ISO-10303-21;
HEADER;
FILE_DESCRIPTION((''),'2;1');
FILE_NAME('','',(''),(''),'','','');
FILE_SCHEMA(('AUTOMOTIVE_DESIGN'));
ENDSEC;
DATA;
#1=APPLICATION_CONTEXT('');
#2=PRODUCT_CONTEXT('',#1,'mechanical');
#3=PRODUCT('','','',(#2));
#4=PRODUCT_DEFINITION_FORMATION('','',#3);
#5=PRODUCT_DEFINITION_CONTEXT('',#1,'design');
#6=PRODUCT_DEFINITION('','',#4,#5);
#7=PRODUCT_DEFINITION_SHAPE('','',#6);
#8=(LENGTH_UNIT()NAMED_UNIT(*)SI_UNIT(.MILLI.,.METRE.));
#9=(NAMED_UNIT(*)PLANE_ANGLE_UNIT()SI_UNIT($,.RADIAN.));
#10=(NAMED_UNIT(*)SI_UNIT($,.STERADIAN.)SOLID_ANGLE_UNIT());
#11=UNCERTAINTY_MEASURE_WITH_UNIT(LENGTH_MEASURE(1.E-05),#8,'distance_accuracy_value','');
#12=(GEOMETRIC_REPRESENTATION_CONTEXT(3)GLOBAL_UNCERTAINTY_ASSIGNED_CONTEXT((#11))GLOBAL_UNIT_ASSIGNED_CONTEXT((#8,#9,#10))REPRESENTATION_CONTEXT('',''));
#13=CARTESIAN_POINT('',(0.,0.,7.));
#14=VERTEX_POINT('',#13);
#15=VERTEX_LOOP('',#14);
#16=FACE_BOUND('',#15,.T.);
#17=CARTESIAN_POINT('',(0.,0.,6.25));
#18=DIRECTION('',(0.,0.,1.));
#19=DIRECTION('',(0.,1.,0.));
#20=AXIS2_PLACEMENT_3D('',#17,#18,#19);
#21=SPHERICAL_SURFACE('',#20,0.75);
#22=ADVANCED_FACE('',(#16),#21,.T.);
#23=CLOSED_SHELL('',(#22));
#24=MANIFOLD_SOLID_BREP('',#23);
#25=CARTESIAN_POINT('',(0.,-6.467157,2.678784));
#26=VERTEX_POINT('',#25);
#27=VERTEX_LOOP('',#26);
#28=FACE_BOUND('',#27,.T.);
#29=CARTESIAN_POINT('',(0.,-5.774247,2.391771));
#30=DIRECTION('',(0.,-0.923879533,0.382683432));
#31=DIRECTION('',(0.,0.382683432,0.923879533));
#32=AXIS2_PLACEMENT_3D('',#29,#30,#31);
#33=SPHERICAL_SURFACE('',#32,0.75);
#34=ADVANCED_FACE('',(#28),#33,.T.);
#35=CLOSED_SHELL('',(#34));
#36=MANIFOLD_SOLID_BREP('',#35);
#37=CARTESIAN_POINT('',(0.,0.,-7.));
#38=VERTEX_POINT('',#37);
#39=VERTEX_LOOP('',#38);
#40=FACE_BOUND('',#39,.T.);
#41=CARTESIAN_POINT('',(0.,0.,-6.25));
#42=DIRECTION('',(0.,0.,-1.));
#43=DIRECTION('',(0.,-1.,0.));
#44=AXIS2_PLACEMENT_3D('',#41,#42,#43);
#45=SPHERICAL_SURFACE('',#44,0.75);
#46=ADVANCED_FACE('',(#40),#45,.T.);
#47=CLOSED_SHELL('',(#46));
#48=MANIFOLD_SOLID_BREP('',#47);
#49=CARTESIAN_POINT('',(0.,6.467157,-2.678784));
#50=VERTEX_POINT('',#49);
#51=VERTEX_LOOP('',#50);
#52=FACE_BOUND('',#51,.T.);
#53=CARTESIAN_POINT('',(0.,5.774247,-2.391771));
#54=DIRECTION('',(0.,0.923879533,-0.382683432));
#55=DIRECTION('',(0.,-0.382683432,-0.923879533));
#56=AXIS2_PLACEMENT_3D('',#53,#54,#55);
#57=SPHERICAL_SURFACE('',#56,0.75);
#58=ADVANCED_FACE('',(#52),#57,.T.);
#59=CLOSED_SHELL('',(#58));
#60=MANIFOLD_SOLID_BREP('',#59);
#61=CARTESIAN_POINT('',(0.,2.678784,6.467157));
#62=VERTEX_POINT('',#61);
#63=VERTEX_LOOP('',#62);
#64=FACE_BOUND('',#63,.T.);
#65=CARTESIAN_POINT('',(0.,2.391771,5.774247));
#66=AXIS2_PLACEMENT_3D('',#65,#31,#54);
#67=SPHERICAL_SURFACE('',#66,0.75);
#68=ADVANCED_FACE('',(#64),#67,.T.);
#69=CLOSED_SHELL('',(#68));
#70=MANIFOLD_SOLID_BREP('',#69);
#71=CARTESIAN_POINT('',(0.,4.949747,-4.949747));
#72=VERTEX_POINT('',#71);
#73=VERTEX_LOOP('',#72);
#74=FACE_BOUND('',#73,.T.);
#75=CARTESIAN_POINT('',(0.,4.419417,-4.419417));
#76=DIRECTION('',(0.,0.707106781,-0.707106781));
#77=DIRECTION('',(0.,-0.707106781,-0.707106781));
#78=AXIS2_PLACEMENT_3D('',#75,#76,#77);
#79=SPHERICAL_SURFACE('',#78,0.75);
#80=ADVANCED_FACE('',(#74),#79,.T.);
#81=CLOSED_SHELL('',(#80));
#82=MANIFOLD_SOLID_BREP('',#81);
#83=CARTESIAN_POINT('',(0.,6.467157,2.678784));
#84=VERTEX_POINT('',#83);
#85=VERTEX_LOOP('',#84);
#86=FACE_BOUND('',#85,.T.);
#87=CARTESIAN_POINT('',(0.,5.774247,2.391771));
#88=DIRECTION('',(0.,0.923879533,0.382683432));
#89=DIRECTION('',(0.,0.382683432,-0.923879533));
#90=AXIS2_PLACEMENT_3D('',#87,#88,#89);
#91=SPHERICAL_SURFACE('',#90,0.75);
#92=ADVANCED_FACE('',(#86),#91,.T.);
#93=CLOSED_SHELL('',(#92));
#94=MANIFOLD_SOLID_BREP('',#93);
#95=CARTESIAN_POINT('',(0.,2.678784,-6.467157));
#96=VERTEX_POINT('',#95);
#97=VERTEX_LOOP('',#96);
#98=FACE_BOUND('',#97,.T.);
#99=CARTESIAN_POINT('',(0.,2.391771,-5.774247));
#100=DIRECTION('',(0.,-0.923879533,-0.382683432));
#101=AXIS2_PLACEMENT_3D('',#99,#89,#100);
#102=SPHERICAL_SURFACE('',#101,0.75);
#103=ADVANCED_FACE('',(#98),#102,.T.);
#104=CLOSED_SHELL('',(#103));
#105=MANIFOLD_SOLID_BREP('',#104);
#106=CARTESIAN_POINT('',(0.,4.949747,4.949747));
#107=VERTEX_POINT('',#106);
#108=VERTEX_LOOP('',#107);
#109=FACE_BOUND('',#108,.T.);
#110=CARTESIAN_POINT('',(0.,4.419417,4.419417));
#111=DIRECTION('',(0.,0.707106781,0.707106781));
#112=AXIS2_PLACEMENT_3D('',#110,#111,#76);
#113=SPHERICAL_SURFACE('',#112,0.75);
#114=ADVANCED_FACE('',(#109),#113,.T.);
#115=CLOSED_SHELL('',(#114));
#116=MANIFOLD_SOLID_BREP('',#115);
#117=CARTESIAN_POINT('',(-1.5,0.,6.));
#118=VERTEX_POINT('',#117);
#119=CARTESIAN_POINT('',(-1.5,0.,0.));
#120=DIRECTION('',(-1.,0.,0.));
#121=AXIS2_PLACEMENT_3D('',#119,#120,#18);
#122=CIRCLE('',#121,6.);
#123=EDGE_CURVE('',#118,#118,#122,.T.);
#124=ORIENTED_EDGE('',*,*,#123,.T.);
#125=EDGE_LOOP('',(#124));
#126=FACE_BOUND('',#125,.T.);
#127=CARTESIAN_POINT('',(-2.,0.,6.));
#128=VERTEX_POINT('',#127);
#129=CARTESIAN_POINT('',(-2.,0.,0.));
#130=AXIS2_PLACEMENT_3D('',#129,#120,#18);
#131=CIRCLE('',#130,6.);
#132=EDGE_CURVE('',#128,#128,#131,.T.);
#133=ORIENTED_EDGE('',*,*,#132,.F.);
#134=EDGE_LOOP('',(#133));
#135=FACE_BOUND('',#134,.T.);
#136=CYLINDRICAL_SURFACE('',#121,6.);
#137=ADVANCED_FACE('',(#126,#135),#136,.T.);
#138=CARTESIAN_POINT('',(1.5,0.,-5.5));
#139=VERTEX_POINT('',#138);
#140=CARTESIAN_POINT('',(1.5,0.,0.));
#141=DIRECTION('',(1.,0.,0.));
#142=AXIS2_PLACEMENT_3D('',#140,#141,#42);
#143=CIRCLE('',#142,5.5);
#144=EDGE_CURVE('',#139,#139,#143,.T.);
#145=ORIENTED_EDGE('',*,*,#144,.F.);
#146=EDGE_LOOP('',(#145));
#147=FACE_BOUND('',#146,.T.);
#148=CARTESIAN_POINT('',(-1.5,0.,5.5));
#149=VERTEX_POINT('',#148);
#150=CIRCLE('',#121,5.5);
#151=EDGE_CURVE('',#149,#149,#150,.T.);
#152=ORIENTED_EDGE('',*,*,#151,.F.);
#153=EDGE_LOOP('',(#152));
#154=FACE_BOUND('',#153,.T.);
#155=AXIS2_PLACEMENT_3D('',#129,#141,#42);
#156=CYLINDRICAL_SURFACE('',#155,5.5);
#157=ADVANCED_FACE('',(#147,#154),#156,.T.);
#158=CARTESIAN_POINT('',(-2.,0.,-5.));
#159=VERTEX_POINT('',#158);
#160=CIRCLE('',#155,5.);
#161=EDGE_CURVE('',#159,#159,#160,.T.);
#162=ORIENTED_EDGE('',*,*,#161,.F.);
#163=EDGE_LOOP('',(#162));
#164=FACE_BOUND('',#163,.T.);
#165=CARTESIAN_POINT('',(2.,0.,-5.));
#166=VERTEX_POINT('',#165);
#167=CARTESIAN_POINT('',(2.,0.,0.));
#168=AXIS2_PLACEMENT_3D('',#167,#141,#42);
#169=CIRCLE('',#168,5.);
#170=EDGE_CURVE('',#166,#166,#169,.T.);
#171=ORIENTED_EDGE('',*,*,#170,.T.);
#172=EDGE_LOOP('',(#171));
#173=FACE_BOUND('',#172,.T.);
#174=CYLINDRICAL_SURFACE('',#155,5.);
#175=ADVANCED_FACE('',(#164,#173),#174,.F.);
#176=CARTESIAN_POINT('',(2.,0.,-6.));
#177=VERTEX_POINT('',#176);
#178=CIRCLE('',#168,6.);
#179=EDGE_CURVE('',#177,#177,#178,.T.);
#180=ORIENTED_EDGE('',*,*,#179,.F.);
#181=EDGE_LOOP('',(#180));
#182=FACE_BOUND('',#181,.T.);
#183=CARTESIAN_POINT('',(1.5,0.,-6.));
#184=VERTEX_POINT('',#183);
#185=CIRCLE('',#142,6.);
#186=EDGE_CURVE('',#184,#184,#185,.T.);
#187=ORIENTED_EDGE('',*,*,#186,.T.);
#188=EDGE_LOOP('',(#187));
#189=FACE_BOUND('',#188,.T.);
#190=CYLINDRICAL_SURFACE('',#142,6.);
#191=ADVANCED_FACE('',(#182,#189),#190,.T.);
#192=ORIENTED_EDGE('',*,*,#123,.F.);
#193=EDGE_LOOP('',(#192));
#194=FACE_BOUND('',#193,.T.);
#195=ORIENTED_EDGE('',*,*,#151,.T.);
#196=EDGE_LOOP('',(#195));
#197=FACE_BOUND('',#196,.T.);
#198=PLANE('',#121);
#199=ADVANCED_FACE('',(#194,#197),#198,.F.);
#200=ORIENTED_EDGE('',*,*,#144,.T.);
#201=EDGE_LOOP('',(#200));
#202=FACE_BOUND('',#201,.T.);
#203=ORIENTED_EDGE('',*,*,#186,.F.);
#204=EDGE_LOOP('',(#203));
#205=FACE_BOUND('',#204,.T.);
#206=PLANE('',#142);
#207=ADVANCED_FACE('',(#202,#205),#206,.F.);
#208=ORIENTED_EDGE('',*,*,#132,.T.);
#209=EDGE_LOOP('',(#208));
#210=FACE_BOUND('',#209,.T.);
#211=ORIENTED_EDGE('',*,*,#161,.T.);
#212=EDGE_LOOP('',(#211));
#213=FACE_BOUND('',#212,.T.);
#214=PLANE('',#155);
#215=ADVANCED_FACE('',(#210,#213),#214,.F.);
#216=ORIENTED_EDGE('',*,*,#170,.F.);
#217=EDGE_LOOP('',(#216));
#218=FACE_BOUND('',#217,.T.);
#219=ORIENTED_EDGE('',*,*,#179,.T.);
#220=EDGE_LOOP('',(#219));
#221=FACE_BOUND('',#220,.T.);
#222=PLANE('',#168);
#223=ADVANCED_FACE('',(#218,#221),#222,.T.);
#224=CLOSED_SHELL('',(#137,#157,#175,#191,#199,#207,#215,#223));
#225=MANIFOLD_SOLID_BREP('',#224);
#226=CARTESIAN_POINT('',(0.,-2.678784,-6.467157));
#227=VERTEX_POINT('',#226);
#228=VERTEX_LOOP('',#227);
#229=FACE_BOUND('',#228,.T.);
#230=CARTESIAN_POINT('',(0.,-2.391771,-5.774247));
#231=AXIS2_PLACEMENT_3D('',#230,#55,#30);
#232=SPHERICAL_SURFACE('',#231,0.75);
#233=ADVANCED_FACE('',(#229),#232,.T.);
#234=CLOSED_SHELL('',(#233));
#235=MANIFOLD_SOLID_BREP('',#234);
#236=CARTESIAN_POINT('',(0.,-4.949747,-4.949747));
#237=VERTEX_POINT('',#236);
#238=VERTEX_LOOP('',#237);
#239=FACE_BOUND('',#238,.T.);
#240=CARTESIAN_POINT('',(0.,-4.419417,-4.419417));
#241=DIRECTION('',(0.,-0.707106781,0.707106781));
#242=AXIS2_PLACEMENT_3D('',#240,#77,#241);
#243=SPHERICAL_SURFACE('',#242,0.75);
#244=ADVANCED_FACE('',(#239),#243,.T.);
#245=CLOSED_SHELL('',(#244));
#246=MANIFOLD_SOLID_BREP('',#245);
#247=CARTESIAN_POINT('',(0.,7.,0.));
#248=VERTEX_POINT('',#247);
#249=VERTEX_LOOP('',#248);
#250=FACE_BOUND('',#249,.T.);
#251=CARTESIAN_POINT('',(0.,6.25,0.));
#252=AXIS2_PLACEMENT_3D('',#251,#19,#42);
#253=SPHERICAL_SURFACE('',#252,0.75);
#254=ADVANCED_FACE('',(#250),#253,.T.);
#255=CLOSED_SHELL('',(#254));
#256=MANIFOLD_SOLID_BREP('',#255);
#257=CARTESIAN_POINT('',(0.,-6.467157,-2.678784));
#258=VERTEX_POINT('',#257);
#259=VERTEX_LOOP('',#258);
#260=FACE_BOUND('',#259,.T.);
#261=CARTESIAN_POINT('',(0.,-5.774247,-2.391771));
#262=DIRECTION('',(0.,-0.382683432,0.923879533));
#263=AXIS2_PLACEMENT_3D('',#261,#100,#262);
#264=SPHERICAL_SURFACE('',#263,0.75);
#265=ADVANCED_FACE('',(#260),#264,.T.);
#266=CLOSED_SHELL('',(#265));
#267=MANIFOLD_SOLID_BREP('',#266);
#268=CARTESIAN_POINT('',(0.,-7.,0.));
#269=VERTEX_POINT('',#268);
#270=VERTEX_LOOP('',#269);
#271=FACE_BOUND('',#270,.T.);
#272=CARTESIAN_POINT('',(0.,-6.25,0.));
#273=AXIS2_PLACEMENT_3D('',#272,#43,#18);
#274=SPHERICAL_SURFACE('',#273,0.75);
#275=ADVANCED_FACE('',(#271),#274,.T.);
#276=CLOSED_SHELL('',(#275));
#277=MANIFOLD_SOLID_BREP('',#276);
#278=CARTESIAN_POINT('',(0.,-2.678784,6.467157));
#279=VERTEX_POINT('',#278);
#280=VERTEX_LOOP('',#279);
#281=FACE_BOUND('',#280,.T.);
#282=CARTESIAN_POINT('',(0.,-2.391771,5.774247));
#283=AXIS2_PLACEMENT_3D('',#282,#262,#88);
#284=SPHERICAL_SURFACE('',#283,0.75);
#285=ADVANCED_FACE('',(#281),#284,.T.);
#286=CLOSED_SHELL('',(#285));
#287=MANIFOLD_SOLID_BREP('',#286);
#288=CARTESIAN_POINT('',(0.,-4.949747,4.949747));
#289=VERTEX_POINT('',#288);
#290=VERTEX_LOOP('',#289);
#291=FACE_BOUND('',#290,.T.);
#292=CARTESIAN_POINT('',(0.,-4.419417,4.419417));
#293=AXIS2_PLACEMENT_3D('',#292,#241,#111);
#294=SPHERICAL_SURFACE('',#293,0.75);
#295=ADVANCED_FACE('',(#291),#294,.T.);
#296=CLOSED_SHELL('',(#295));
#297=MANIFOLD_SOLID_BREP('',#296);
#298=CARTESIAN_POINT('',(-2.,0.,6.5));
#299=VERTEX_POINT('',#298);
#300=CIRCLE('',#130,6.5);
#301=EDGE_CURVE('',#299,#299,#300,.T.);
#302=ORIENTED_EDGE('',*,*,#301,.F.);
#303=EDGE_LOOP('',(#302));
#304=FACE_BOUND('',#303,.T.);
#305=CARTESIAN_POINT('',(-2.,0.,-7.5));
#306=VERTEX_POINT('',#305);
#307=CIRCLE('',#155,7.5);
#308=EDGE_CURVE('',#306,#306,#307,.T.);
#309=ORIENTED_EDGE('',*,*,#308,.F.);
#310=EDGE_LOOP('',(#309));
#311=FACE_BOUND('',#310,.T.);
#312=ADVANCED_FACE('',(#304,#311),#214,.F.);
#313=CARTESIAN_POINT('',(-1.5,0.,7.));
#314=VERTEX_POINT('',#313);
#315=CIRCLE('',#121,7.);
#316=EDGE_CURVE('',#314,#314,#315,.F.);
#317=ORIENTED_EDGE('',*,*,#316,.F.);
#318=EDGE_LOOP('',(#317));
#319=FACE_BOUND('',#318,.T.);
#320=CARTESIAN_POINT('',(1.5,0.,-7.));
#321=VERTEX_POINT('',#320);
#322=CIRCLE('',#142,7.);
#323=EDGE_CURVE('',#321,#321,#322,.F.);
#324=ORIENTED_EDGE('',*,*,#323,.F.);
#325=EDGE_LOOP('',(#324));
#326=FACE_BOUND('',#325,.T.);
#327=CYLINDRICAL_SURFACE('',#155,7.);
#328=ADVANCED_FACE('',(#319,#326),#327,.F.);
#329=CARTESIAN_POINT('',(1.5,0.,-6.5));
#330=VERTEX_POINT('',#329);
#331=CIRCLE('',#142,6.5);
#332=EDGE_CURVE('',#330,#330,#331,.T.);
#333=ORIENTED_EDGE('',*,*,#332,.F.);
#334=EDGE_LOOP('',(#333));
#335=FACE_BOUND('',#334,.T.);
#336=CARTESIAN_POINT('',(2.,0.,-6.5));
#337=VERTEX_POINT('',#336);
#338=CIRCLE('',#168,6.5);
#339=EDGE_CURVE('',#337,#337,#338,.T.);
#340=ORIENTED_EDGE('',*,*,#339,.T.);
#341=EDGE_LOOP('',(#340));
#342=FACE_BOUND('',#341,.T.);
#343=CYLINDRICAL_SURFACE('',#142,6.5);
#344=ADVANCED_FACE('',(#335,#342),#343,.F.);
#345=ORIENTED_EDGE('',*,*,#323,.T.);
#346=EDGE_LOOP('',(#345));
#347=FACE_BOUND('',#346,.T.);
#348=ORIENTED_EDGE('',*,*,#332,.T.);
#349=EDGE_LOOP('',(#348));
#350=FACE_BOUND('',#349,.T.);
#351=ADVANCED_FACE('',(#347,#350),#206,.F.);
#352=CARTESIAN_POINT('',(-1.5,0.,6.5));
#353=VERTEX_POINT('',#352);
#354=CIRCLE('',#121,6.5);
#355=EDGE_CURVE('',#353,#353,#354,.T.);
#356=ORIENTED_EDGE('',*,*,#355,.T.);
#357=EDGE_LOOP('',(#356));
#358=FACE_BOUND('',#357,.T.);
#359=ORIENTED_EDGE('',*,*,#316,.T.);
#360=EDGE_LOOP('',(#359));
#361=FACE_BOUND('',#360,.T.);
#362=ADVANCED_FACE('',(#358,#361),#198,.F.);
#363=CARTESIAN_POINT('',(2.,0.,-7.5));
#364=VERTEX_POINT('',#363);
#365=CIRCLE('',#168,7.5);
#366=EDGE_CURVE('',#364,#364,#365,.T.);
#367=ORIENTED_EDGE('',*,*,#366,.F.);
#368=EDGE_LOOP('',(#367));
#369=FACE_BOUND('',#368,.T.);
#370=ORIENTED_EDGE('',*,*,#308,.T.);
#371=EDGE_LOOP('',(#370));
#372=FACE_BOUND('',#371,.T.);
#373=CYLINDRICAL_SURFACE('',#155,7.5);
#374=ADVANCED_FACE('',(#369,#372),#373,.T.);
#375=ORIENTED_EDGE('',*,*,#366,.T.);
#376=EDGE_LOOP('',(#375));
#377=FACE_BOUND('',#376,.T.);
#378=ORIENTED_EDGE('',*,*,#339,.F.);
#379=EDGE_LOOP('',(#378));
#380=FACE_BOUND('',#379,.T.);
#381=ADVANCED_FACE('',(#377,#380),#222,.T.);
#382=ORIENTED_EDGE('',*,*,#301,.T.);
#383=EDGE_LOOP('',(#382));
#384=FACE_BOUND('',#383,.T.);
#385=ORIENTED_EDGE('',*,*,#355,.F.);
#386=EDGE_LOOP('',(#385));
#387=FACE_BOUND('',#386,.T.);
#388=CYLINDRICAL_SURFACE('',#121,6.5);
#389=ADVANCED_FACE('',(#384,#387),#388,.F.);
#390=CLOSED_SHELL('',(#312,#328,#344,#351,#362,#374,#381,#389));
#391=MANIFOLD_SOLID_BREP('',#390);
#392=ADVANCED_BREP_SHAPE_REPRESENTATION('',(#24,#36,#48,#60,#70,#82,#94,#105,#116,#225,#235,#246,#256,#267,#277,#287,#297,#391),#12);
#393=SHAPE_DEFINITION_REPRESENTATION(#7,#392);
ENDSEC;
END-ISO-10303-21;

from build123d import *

# Parameters (mm, degrees)
EXTRUDE_1_DEPTH          = 2
EXTRUDE_1_DEPTH_BACK     = 2
SKETCH_1_4_R             = 5.5
SKETCH_1_4_R_2           = 5
EXTRUDE_1_2_DEPTH        = 2
EXTRUDE_1_2_DEPTH_BACK   = 2
SKETCH_1_4_R_3           = 7.5
SKETCH_1_4_R_4           = 7
PATTERN_CIRCULAR_6_COUNT = 16
SKETCH_2_R               = 7
SKETCH_2_R_2             = 6.5
SKETCH_2_R_3             = 6
SKETCH_2_R_4             = 5.5
EXTRUDE_2_DEPTH          = 0.5
SKETCH_3_R               = 7
SKETCH_3_R_2             = 6.5
SKETCH_3_R_3             = 6
SKETCH_3_R_4             = 5.5
EXTRUDE_3_DEPTH          = 0.5


with BuildPart() as part:
    # 草图1 → 旋转1 (revolve)
    with BuildSketch(Plane(origin=(0, 0, 0), x_dir=(0, 0, -1), z_dir=(1, 0, 0))):
        with BuildLine():
            Line((0, 7), (0, 5.5))
            ThreePointArc((0, 5.5), (0.75, 6.25), (0, 7))
        make_face()
    revolve(axis=Axis((0, 7, 0), (0, -1, 0)))


with BuildPart() as body_2:
    # 草图1<4> → 凸台-拉伸1 (new, two sides: drawn at the far end of the back side and taken through both)
    with BuildSketch(Plane(origin=(0, 0, 0), x_dir=(0, 0, -1), z_dir=(1, 0, 0)).offset(-EXTRUDE_1_DEPTH_BACK)):
        Circle(SKETCH_1_4_R)
        Circle(SKETCH_1_4_R_2, mode=Mode.SUBTRACT)
    extrude(amount=EXTRUDE_1_DEPTH + EXTRUDE_1_DEPTH_BACK)



with BuildPart() as body_3:
    # 草图1<4> → Extrude 1 2 (new, two sides: drawn at the far end of the back side and taken through both)
    with BuildSketch(Plane(origin=(0, 0, 0), x_dir=(0, 0, -1), z_dir=(1, 0, 0)).offset(-EXTRUDE_1_2_DEPTH_BACK)):
        Circle(SKETCH_1_4_R_3)
        Circle(SKETCH_1_4_R_4, mode=Mode.SUBTRACT)
    extrude(amount=EXTRUDE_1_2_DEPTH + EXTRUDE_1_2_DEPTH_BACK)


with BuildPart() as pattern_circular_6_1:
    # 阵列(圆周)6: pattern copy
    add(part.part.rotate(Axis((2, 0, 0), (1, 0, 0)), 1 * 360 / PATTERN_CIRCULAR_6_COUNT))


with BuildPart() as pattern_circular_6_2:
    # 阵列(圆周)6: pattern copy
    add(part.part.rotate(Axis((2, 0, 0), (1, 0, 0)), 2 * 360 / PATTERN_CIRCULAR_6_COUNT))


with BuildPart() as pattern_circular_6_3:
    # 阵列(圆周)6: pattern copy
    add(part.part.rotate(Axis((2, 0, 0), (1, 0, 0)), 3 * 360 / PATTERN_CIRCULAR_6_COUNT))


with BuildPart() as pattern_circular_6_4:
    # 阵列(圆周)6: pattern copy
    add(part.part.rotate(Axis((2, 0, 0), (1, 0, 0)), 4 * 360 / PATTERN_CIRCULAR_6_COUNT))


with BuildPart() as pattern_circular_6_5:
    # 阵列(圆周)6: pattern copy
    add(part.part.rotate(Axis((2, 0, 0), (1, 0, 0)), 5 * 360 / PATTERN_CIRCULAR_6_COUNT))


with BuildPart() as pattern_circular_6_6:
    # 阵列(圆周)6: pattern copy
    add(part.part.rotate(Axis((2, 0, 0), (1, 0, 0)), 6 * 360 / PATTERN_CIRCULAR_6_COUNT))


with BuildPart() as pattern_circular_6_7:
    # 阵列(圆周)6: pattern copy
    add(part.part.rotate(Axis((2, 0, 0), (1, 0, 0)), 7 * 360 / PATTERN_CIRCULAR_6_COUNT))


with BuildPart() as pattern_circular_6_8:
    # 阵列(圆周)6: pattern copy
    add(part.part.rotate(Axis((2, 0, 0), (1, 0, 0)), 8 * 360 / PATTERN_CIRCULAR_6_COUNT))


with BuildPart() as pattern_circular_6_9:
    # 阵列(圆周)6: pattern copy
    add(part.part.rotate(Axis((2, 0, 0), (1, 0, 0)), 9 * 360 / PATTERN_CIRCULAR_6_COUNT))


with BuildPart() as pattern_circular_6_10:
    # 阵列(圆周)6: pattern copy
    add(part.part.rotate(Axis((2, 0, 0), (1, 0, 0)), 10 * 360 / PATTERN_CIRCULAR_6_COUNT))


with BuildPart() as pattern_circular_6_11:
    # 阵列(圆周)6: pattern copy
    add(part.part.rotate(Axis((2, 0, 0), (1, 0, 0)), 11 * 360 / PATTERN_CIRCULAR_6_COUNT))


with BuildPart() as pattern_circular_6_12:
    # 阵列(圆周)6: pattern copy
    add(part.part.rotate(Axis((2, 0, 0), (1, 0, 0)), 12 * 360 / PATTERN_CIRCULAR_6_COUNT))


with BuildPart() as pattern_circular_6_13:
    # 阵列(圆周)6: pattern copy
    add(part.part.rotate(Axis((2, 0, 0), (1, 0, 0)), 13 * 360 / PATTERN_CIRCULAR_6_COUNT))


with BuildPart() as pattern_circular_6_14:
    # 阵列(圆周)6: pattern copy
    add(part.part.rotate(Axis((2, 0, 0), (1, 0, 0)), 14 * 360 / PATTERN_CIRCULAR_6_COUNT))


with BuildPart() as pattern_circular_6_15:
    # 阵列(圆周)6: pattern copy
    add(part.part.rotate(Axis((2, 0, 0), (1, 0, 0)), 15 * 360 / PATTERN_CIRCULAR_6_COUNT))


with BuildPart() as body_2_1:
    add(body_2.part)

    add(body_3.part)  # 凸台-拉伸2 merges body 3
    # 草图2 → 凸台-拉伸2 (add)
    # profile 1 of 2: a face of its own
    with BuildSketch(Plane.ZY.offset(2)):
        Circle(SKETCH_2_R)
        Circle(SKETCH_2_R_2, mode=Mode.SUBTRACT)
    # profile 2 of 2: a face of its own
    with BuildSketch(Plane.ZY.offset(2)):
        Circle(SKETCH_2_R_3)
        Circle(SKETCH_2_R_4, mode=Mode.SUBTRACT)
    extrude(amount=-EXTRUDE_2_DEPTH)

    # 草图3 → 凸台-拉伸3 (add)
    # profile 1 of 2: a face of its own
    with BuildSketch(Plane(origin=(2, 0, 0), x_dir=(0, 0, -1), z_dir=(1, 0, 0))):
        Circle(SKETCH_3_R)
        Circle(SKETCH_3_R_2, mode=Mode.SUBTRACT)
    # profile 2 of 2: a face of its own
    with BuildSketch(Plane(origin=(2, 0, 0), x_dir=(0, 0, -1), z_dir=(1, 0, 0))):
        Circle(SKETCH_3_R_3)
        Circle(SKETCH_3_R_4, mode=Mode.SUBTRACT)
    extrude(amount=-EXTRUDE_3_DEPTH)


solid = Compound([part.part, pattern_circular_6_1.part, pattern_circular_6_2.part, pattern_circular_6_3.part, pattern_circular_6_4.part, pattern_circular_6_5.part, pattern_circular_6_6.part, pattern_circular_6_7.part, pattern_circular_6_8.part, pattern_circular_6_9.part, pattern_circular_6_10.part, pattern_circular_6_11.part, pattern_circular_6_12.part, pattern_circular_6_13.part, pattern_circular_6_14.part, pattern_circular_6_15.part, body_2_1.part])
